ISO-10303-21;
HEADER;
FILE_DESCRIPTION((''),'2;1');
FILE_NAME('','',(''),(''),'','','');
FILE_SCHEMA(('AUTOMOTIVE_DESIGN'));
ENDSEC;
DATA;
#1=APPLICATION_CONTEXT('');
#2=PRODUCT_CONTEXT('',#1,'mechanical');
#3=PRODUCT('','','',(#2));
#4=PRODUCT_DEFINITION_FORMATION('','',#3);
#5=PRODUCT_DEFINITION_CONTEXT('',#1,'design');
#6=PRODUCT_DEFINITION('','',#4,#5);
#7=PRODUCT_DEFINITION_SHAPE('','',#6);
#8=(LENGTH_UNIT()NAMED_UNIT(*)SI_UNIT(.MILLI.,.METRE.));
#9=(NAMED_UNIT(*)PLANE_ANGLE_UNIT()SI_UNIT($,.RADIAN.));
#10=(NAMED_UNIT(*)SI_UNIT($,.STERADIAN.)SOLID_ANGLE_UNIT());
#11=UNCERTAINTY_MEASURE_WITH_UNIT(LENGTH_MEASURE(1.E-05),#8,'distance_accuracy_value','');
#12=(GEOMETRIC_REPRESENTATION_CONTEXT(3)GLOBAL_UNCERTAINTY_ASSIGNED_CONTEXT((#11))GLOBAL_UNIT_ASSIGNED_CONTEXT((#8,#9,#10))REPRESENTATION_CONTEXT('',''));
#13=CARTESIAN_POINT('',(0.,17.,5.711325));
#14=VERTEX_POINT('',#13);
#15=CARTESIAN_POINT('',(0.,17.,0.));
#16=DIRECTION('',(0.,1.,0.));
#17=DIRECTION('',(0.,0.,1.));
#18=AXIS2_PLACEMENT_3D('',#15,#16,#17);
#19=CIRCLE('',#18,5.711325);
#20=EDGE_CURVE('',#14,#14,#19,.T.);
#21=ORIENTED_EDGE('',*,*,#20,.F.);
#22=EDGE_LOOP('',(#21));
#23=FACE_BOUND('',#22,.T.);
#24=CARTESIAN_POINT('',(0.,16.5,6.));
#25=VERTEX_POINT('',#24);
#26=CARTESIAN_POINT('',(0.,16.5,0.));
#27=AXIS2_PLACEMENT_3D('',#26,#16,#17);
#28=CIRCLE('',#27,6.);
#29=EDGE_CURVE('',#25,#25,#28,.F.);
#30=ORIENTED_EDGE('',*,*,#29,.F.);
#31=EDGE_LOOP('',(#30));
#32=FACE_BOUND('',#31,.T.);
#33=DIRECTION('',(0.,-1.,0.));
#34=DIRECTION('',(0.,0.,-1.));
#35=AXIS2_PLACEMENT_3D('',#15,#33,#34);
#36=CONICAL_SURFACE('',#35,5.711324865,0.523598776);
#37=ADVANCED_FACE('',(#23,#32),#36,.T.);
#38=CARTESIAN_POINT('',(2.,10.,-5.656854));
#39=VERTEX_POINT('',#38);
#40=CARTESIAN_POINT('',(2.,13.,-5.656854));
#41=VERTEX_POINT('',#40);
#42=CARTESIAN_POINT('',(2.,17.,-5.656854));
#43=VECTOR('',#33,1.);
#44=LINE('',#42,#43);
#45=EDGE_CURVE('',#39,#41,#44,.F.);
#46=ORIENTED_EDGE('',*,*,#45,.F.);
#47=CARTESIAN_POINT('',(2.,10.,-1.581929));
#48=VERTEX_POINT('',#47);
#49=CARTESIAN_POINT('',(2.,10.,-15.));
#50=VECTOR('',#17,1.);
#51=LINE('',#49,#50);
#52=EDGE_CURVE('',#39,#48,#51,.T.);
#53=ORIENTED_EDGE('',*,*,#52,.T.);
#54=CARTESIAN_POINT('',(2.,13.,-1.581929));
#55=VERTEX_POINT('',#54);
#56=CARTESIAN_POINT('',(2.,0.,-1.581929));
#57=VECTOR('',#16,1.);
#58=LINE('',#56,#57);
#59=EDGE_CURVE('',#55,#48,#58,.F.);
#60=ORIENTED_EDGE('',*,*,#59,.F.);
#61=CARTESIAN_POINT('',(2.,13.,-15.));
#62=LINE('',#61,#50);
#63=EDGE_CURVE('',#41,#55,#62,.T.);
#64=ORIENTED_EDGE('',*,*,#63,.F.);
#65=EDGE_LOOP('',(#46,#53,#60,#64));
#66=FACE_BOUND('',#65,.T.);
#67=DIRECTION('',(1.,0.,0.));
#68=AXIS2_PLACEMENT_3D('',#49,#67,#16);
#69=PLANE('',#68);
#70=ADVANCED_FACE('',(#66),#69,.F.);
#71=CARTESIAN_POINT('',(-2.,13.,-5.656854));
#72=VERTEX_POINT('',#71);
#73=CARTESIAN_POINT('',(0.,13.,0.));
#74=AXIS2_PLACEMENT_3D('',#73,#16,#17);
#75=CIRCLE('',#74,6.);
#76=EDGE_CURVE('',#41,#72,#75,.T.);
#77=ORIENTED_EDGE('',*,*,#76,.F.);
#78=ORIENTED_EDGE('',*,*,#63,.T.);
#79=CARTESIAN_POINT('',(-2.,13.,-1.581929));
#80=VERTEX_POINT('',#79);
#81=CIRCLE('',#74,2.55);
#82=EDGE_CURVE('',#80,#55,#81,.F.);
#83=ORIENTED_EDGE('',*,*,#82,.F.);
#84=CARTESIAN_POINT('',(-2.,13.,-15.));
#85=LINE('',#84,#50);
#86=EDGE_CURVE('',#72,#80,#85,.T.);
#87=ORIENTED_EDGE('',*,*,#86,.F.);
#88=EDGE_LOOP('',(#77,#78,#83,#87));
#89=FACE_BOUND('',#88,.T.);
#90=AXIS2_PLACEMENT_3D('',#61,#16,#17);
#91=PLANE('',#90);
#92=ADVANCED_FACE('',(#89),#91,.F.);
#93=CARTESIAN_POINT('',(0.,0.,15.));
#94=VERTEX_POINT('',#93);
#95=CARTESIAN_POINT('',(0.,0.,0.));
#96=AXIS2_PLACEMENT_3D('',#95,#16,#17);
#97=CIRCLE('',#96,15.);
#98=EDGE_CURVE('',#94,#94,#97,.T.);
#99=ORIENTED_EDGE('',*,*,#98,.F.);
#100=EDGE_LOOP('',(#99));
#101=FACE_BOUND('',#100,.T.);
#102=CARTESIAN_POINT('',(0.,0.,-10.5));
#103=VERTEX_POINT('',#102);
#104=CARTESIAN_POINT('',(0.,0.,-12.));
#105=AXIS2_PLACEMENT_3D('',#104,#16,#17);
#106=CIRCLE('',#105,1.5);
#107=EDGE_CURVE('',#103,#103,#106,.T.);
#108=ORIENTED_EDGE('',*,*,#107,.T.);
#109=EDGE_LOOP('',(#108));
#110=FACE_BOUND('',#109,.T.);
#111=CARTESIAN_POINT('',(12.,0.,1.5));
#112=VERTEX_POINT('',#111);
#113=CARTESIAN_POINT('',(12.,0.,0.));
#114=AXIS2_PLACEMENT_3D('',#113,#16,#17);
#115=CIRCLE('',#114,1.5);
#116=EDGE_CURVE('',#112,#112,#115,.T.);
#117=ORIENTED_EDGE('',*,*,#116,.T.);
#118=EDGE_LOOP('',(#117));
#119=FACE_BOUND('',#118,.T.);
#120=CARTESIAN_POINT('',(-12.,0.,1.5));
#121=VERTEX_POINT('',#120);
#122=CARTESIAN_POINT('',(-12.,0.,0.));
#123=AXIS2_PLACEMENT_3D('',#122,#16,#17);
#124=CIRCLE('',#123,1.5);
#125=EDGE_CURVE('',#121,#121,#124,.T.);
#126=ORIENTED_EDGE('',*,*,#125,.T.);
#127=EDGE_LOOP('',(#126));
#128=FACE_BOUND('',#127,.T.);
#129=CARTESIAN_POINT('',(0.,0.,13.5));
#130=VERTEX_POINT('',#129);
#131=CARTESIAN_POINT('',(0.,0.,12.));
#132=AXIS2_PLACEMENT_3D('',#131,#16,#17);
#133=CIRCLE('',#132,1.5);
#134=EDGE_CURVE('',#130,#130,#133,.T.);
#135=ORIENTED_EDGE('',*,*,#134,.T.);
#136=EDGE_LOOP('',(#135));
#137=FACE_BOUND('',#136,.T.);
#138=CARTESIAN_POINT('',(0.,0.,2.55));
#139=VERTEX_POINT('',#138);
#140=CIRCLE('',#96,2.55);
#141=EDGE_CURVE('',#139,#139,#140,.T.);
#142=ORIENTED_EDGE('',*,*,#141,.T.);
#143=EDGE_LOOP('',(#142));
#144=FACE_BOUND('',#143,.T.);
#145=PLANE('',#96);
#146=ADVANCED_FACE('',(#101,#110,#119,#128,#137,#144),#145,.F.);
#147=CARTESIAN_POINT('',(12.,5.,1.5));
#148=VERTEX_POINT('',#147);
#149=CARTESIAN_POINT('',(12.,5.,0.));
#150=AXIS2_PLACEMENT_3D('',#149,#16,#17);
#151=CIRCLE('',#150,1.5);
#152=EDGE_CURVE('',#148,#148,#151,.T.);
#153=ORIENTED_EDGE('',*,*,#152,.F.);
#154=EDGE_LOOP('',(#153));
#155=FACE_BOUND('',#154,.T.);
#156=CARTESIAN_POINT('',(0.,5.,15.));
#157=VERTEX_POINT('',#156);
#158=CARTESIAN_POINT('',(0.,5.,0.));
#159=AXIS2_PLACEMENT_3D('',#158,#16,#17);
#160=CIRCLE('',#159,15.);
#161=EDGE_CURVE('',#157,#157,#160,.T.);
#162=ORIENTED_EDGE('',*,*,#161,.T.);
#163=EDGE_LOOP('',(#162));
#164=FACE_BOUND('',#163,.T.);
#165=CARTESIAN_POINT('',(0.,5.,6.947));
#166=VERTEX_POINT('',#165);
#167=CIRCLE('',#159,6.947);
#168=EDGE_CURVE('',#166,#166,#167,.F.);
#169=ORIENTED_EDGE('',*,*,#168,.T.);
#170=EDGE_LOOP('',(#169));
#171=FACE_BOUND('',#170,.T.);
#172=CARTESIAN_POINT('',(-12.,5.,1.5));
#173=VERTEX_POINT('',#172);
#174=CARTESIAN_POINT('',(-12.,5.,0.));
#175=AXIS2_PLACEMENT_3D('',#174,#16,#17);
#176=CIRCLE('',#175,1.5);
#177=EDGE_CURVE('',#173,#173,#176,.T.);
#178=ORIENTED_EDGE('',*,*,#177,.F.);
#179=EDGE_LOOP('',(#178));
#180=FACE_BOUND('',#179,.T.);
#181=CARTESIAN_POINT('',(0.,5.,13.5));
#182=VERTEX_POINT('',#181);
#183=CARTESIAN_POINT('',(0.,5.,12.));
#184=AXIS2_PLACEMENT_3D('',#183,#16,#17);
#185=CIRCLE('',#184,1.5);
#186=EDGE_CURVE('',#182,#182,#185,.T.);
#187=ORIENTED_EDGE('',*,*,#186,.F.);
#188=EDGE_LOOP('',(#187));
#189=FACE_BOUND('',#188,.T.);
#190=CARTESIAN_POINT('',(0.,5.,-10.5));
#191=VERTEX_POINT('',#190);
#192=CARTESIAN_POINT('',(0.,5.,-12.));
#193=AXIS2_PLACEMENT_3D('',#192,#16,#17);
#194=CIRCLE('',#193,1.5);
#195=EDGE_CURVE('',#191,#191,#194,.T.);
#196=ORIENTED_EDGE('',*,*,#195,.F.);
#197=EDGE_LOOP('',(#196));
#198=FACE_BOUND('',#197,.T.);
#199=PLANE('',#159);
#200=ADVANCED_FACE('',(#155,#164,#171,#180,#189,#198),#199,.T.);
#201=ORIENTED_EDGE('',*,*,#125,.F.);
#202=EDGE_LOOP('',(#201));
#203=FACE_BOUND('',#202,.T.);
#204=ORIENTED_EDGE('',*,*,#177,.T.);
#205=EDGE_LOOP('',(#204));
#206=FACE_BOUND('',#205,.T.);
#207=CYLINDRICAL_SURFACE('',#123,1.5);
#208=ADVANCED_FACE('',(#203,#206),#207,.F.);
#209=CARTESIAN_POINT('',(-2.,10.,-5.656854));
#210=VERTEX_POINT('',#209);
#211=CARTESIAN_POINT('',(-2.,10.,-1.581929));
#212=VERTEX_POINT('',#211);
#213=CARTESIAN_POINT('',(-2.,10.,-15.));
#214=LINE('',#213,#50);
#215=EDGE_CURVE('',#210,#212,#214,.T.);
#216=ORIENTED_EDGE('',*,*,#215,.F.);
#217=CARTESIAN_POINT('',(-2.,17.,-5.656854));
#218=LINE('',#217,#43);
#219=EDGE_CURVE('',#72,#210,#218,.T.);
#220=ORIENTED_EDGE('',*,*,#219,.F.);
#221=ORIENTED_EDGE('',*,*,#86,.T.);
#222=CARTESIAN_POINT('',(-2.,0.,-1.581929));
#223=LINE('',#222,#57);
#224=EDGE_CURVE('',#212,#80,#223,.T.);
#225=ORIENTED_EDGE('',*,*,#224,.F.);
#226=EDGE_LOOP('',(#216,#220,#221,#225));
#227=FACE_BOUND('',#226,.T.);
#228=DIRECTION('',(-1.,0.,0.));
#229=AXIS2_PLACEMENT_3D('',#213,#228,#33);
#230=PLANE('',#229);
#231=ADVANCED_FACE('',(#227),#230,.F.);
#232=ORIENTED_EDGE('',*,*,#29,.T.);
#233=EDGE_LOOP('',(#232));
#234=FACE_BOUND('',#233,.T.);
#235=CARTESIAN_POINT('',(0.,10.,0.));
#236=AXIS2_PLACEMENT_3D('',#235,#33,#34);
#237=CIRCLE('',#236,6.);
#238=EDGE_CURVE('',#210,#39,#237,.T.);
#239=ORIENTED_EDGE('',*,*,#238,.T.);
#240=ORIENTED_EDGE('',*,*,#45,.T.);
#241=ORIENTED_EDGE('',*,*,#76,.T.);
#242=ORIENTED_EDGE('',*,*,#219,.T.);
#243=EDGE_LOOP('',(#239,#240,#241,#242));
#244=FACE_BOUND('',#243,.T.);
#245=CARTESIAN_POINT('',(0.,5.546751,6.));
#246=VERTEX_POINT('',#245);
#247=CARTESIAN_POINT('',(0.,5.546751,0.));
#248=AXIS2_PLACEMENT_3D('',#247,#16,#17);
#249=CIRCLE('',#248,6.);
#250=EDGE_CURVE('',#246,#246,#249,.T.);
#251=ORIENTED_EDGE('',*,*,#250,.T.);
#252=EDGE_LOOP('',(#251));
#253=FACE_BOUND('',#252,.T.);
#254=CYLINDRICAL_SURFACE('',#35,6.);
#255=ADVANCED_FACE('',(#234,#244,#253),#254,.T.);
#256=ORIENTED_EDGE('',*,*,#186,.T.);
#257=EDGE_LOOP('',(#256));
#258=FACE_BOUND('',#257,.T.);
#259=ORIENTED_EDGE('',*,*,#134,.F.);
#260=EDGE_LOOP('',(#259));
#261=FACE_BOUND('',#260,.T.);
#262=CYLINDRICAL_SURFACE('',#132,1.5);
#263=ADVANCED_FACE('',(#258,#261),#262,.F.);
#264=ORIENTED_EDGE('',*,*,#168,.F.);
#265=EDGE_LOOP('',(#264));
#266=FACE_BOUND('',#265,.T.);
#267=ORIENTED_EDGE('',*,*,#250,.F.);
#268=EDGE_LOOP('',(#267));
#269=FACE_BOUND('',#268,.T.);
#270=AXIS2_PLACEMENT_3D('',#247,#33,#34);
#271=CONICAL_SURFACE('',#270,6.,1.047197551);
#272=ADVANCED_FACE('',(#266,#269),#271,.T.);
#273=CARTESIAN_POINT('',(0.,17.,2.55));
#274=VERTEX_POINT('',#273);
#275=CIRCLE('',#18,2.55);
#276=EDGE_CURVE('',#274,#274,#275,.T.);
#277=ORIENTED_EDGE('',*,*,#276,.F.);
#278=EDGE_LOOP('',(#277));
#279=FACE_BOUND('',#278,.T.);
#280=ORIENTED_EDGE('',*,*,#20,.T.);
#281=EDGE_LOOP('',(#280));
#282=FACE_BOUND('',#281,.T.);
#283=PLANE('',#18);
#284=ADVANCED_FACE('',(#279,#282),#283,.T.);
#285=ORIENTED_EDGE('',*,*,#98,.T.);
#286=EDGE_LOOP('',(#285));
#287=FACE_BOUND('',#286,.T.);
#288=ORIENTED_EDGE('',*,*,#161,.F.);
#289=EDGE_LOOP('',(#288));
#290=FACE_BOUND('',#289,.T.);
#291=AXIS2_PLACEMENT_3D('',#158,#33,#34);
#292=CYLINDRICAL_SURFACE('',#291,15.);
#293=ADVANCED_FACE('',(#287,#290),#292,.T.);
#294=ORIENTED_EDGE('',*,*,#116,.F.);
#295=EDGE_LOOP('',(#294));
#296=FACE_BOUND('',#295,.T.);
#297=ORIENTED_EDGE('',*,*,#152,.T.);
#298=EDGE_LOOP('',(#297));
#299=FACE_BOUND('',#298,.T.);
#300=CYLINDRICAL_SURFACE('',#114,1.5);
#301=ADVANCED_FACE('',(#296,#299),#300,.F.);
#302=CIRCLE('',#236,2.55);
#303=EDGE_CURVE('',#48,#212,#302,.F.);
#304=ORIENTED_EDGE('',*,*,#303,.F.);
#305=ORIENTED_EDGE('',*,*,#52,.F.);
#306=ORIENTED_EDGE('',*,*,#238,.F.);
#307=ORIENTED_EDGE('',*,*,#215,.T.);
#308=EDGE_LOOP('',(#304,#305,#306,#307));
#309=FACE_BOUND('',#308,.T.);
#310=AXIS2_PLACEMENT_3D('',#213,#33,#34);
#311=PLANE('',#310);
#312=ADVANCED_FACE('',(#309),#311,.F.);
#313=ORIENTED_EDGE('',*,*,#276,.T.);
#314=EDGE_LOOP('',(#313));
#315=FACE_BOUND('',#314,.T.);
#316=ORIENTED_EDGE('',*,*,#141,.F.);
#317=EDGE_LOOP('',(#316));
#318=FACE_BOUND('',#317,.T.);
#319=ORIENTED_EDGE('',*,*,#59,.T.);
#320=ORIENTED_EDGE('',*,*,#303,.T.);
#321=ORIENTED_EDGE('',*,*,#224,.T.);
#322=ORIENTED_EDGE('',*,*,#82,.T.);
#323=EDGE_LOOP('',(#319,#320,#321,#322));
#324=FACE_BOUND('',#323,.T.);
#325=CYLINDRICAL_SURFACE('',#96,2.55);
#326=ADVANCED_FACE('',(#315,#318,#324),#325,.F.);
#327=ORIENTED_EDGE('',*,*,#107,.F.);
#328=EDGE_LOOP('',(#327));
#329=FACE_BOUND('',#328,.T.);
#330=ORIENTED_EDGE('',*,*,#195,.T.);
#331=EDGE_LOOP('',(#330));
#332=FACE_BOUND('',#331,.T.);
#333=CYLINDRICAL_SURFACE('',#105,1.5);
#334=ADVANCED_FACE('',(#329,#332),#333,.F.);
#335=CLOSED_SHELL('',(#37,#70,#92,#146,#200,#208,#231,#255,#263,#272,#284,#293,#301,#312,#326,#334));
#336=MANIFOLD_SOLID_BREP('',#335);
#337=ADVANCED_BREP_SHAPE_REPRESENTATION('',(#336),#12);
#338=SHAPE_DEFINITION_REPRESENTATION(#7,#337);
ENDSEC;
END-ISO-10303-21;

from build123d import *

# Parameters (mm, degrees)
SKETCH_1_R          = 15
EXTRUDE_1_DEPTH     = 5
SKETCH_4_R          = 6
EXTRUDE_2_DEPTH     = 12
SKETCH_5_R          = 2.55
CUT_EXTRUDE_1_DEPTH = 28.184554438
SKETCH_6_W          = 4
SKETCH_6_H          = 3
CUT_EXTRUDE_2_DEPTH = 28.184554438
CHAMFER_1_SIZE      = 0.947
CHAMFER_1_SIZE2     = 0.546750705
CHAMFER_2_SIZE      = 0.5
CHAMFER_2_SIZE2     = 0.288675135
SKETCH_7_R          = 1.5
CUT_EXTRUDE_3_DEPTH = 25.372115214


with BuildPart() as part:
    # 草图1 → 凸台-拉伸1 (new body)
    with BuildSketch(Plane(origin=(0, 0, 0), x_dir=(1, 0, 0), z_dir=(0, 1, 0))):
        with Locations(Location((0, 0, 0), (0, 0, 270))):
            Circle(SKETCH_1_R)
    extrude(amount=EXTRUDE_1_DEPTH)

    # 草图4 → 凸台-拉伸2 (add)
    with BuildSketch(Plane(origin=(0, 5, 0), x_dir=(1, 0, 0), z_dir=(0, 1, 0))):
        with Locations(Location((0, 0, 0), (0, 0, 270))):
            Circle(SKETCH_4_R)
    extrude(amount=EXTRUDE_2_DEPTH)

    # 草图5 → 切除-拉伸1 (cut, through all)
    with BuildSketch(Plane(origin=(0, 17, 0), x_dir=(1, 0, 0), z_dir=(0, 1, 0))):
        with Locations(Location((0, 0, 0), (0, 0, 270))):
            Circle(SKETCH_5_R)
    extrude(amount=-CUT_EXTRUDE_1_DEPTH, mode=Mode.SUBTRACT)

    # 草图6 → 切除-拉伸2 (cut, through all)
    with BuildSketch(Plane.XY):
        with Locations((0, 11.5)):
            Rectangle(SKETCH_6_W, SKETCH_6_H)
    extrude(amount=-CUT_EXTRUDE_2_DEPTH, mode=Mode.SUBTRACT)

    # 倒角1
    chamfer_1_edges = [part.edges().sort_by_distance(p)[0] for p in [
        (0, 5, -6),
    ]]
    chamfer_1_side = [part.faces().sort_by_distance(p)[0] for p in [
        (0, 5, -14.575735931),
    ]]
    chamfer(chamfer_1_edges, length=CHAMFER_1_SIZE, length2=CHAMFER_1_SIZE2, reference=chamfer_1_side[0])

    # 倒角2
    chamfer_2_edges = [part.edges().sort_by_distance(p)[0] for p in [
        (0, 17, -6),
    ]]
    chamfer_2_side = [part.faces().sort_by_distance(p)[0] for p in [
        (0, 11.273375352, -6),
    ]]
    chamfer(chamfer_2_edges, length=CHAMFER_2_SIZE, length2=CHAMFER_2_SIZE2, reference=chamfer_2_side[0])

    # 草图7 → 切除-拉伸3 (cut, through all)
    with BuildSketch(Plane(origin=(0, 5, 0), x_dir=(1, 0, 0), z_dir=(0, 1, 0))):
        with Locations(Location((0, 12, 0), (0, 0, 270))):
            Circle(SKETCH_7_R)
        with Locations(Location((-12, 0, 0), (0, 0, 270))):
            Circle(SKETCH_7_R)
        with Locations(Location((12, 0, 0), (0, 0, 270))):
            Circle(SKETCH_7_R)
        with Locations(Location((0, -12, 0), (0, 0, 270))):
            Circle(SKETCH_7_R)
    extrude(amount=-CUT_EXTRUDE_3_DEPTH, mode=Mode.SUBTRACT)


solid = part.part
